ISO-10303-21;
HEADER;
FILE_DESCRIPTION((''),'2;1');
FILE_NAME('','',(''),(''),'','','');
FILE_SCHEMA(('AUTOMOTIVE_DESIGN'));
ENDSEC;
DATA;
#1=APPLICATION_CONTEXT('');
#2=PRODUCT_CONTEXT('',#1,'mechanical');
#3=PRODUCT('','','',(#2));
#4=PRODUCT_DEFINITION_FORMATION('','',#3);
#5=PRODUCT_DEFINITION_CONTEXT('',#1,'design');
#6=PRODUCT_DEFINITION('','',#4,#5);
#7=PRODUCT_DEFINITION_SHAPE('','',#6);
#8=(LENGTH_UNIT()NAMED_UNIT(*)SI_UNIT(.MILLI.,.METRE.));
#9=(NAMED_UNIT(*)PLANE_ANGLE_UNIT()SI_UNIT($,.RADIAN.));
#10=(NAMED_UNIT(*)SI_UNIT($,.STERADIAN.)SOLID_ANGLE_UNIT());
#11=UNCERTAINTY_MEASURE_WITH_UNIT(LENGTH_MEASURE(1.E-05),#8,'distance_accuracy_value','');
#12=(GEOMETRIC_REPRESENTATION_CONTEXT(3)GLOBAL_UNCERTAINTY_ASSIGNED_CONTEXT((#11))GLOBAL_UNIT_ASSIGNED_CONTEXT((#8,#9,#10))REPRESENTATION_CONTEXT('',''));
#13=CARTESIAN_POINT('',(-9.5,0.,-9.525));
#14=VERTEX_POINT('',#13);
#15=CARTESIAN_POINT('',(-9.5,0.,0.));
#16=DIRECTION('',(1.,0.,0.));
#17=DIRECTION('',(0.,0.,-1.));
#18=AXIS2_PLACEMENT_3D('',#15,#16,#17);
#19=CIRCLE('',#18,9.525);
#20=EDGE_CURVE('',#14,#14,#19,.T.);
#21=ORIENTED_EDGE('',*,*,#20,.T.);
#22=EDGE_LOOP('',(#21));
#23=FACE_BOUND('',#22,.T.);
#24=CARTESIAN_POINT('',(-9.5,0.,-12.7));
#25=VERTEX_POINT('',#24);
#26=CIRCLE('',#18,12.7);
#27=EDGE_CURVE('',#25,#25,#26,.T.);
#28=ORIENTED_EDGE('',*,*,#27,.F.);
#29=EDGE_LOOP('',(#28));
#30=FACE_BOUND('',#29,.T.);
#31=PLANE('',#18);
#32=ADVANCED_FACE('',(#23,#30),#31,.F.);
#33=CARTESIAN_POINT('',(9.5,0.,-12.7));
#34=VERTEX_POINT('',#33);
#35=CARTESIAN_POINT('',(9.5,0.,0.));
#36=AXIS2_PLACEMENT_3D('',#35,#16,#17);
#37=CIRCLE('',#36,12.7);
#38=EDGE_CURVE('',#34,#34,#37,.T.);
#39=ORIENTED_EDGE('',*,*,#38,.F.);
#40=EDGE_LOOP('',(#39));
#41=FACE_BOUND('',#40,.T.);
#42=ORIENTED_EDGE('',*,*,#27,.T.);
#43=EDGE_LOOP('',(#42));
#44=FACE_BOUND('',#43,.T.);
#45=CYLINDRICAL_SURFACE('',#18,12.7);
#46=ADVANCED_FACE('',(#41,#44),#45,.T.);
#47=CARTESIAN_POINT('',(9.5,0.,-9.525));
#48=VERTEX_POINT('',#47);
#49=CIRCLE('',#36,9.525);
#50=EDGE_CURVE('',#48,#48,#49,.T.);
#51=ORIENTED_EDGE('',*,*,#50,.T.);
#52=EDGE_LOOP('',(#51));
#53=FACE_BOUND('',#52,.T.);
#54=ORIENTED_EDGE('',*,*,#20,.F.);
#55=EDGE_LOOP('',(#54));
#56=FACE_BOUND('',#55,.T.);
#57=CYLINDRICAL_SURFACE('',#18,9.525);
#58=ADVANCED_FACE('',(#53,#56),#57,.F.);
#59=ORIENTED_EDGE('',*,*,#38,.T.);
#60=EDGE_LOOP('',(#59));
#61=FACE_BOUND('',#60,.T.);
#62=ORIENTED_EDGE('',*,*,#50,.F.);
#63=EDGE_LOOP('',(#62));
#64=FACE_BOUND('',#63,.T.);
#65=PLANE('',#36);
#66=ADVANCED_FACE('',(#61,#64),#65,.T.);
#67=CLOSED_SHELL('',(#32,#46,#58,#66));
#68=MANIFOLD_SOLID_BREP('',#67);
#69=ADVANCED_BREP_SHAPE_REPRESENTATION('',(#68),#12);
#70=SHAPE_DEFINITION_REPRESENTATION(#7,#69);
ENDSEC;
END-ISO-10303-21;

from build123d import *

# Parameters (mm, degrees)
SKETCH1_R           = 12.7
SKETCH1_R_2         = 9.525
BOSS_EXTRUDE1_DEPTH = 9.5


with BuildPart() as part:
    # Sketch1 → Boss-Extrude1 (new body, symmetric)
    with BuildSketch(Plane(origin=(0, 0, 0), x_dir=(0, 0, -1), z_dir=(1, 0, 0))):
        Circle(SKETCH1_R)
        Circle(SKETCH1_R_2, mode=Mode.SUBTRACT)
    extrude(amount=BOSS_EXTRUDE1_DEPTH, both=True)


solid = part.part
